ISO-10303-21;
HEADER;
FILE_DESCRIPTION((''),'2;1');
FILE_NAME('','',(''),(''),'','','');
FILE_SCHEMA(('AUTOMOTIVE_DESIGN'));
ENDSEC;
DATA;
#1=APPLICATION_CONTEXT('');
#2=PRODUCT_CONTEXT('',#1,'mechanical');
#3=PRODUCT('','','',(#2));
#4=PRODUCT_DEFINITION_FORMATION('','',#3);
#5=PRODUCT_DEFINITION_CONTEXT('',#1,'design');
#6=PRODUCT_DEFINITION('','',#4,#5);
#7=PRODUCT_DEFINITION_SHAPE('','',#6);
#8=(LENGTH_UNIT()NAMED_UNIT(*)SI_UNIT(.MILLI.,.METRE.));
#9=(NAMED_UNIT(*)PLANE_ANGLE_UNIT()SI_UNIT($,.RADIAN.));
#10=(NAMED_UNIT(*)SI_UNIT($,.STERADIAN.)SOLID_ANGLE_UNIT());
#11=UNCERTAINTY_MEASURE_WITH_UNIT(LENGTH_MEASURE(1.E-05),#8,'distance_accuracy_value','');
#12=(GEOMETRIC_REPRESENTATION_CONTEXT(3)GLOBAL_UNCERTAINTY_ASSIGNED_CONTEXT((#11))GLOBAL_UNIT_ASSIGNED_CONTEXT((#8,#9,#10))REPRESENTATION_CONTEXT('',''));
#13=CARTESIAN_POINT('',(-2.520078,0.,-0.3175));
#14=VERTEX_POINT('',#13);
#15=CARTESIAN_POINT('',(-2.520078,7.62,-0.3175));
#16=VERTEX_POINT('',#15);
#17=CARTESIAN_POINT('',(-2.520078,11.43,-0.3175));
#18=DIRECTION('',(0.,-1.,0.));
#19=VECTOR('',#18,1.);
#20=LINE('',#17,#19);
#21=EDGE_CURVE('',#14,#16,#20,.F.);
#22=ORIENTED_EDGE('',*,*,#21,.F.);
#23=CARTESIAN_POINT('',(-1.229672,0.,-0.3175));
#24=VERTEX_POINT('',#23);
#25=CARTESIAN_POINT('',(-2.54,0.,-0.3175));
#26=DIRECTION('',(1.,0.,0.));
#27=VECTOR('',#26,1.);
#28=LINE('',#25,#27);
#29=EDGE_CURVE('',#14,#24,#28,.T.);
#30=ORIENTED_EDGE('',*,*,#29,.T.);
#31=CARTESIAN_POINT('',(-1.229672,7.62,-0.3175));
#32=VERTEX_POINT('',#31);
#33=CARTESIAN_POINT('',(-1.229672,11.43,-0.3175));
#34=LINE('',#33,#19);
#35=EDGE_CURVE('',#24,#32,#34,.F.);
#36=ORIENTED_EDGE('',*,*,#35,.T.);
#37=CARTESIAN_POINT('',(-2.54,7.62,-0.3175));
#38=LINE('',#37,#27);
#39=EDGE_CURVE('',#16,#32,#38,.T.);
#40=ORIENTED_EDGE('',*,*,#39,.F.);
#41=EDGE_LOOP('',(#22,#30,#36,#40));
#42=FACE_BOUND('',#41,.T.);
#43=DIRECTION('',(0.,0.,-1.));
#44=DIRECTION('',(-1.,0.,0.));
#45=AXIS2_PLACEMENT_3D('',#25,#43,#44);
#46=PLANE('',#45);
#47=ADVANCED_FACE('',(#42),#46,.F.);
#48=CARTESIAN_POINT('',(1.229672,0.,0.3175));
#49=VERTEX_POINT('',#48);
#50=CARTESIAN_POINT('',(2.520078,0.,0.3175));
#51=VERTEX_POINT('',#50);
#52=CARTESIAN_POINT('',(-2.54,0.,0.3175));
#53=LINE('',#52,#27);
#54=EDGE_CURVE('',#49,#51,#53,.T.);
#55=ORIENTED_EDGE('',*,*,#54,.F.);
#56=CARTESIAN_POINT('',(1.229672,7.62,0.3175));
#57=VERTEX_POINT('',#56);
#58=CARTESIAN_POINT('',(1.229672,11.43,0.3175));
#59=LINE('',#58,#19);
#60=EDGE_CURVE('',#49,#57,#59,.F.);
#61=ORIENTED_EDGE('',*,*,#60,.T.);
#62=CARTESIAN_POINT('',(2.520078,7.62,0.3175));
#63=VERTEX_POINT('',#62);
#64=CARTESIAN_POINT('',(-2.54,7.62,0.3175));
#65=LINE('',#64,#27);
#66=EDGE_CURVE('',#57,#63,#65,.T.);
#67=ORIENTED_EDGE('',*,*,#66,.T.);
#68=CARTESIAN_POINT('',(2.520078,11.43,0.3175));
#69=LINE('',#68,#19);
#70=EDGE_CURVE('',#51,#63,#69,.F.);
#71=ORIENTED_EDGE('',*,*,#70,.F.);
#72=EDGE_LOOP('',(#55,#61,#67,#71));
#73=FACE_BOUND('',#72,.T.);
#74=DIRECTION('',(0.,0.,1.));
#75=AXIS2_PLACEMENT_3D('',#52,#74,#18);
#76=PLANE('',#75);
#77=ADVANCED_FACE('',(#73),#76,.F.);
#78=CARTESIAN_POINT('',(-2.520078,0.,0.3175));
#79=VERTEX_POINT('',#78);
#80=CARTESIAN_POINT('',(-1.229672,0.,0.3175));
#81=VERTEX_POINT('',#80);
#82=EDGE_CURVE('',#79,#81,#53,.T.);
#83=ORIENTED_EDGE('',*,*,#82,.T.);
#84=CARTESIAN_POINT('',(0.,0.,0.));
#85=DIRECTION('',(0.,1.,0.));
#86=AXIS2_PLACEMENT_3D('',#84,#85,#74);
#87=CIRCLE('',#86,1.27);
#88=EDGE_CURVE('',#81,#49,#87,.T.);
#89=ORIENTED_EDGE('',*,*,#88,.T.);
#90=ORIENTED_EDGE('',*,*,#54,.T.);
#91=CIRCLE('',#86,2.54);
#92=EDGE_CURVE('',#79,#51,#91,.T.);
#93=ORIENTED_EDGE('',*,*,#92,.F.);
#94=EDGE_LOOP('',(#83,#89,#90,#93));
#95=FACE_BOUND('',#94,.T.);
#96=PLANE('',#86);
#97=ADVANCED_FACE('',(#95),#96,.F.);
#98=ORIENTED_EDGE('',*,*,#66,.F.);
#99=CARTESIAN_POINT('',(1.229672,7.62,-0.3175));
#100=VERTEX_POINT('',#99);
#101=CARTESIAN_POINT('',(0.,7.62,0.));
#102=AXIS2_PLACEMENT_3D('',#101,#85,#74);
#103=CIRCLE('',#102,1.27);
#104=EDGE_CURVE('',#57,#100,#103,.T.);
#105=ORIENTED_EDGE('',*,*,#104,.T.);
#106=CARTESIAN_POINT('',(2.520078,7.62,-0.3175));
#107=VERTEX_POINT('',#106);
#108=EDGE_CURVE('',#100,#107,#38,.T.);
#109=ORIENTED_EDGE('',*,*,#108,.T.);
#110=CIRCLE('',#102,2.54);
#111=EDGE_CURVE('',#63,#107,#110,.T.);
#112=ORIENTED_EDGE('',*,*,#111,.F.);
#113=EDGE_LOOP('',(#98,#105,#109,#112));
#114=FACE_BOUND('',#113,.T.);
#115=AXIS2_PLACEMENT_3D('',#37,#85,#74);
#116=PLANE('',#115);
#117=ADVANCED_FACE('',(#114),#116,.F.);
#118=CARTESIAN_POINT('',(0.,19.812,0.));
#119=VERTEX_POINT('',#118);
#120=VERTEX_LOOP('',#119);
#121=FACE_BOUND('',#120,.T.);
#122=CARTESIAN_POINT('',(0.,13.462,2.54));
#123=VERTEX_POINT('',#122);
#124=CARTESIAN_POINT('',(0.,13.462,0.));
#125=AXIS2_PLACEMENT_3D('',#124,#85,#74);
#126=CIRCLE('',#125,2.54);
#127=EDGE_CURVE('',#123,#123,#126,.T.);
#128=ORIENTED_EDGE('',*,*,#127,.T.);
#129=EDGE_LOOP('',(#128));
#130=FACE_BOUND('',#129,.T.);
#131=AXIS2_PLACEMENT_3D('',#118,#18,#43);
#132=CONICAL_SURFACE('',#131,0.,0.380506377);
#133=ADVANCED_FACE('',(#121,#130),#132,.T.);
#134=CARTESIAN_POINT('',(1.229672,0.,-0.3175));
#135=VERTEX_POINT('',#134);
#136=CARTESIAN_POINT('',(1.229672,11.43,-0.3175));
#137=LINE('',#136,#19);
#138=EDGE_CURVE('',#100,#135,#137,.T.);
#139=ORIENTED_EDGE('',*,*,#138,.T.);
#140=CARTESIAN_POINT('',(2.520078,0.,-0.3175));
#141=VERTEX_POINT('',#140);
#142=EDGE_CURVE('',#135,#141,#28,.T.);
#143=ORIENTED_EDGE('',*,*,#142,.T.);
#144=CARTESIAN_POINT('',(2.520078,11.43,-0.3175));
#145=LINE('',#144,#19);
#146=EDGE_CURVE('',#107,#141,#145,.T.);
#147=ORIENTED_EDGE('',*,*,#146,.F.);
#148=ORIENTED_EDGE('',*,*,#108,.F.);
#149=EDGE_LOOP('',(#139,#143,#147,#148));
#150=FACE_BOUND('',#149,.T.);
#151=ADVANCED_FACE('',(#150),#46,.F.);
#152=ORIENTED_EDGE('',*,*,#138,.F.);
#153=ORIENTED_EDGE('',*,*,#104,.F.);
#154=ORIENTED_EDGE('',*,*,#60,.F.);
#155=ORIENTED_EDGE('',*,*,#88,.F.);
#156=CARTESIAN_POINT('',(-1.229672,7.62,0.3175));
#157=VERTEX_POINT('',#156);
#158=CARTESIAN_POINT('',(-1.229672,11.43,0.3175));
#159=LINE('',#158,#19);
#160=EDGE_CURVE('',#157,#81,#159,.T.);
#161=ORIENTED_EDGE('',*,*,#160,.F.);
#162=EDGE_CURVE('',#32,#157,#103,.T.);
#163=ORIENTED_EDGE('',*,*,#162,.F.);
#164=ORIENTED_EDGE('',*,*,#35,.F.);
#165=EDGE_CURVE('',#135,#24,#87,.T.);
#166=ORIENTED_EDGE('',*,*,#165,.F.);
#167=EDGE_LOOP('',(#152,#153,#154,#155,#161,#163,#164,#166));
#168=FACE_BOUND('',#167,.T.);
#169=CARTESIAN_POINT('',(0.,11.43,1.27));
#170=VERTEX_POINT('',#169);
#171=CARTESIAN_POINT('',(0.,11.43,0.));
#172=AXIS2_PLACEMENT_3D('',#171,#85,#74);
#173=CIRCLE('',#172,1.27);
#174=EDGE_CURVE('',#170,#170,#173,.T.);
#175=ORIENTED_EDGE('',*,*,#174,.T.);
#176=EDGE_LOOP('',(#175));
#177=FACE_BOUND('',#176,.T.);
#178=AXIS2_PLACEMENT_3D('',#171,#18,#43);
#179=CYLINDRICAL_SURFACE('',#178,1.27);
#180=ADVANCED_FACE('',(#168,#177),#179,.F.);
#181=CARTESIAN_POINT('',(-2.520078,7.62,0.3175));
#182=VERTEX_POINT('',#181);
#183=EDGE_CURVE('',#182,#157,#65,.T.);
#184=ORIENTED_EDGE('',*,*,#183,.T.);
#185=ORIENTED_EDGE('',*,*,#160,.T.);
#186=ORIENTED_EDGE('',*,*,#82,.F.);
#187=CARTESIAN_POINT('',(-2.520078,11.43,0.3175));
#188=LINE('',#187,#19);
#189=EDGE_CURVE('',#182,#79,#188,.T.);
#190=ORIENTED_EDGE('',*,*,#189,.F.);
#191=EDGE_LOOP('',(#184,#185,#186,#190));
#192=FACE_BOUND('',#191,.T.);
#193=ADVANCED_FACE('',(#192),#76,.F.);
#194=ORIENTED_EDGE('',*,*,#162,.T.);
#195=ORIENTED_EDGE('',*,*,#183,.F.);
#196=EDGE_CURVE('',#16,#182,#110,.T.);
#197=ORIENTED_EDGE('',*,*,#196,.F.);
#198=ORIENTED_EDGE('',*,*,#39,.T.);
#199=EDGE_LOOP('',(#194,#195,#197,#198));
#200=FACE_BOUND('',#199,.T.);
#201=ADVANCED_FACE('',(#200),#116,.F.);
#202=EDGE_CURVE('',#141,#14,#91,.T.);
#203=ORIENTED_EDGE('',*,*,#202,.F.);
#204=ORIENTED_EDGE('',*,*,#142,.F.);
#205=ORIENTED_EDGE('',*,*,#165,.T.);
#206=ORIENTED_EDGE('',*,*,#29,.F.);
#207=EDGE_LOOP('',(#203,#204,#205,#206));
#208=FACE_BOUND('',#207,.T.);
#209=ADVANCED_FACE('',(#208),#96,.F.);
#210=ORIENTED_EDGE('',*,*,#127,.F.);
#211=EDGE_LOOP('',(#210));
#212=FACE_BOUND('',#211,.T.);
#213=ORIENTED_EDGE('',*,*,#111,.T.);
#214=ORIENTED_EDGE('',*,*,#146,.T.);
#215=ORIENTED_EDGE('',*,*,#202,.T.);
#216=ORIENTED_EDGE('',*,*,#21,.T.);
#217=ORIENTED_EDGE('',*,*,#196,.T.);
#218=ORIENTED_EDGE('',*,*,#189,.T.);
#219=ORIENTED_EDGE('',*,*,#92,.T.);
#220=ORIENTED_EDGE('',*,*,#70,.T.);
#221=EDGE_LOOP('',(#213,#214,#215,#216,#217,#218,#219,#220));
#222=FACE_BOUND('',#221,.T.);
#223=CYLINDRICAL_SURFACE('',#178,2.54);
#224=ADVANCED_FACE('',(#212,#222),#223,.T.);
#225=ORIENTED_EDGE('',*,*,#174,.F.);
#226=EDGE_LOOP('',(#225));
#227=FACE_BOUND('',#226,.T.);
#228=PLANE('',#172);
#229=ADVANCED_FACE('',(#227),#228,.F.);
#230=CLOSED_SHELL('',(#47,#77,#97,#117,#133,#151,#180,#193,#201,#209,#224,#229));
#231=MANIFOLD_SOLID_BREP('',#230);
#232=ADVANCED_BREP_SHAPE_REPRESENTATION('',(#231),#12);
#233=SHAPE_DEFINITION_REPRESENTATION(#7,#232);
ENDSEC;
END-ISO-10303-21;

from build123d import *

# Parameters (mm, degrees)
SKETCH1_R               = 2.54
SKETCH1_R_2             = 1.27
BOSS_EXTRUDE1_DEPTH     = 11.43
BOSS_EXTRUDE2_START     = 11.43
SKETCH1_2_R             = 2.54
SKETCH1_2_R_2           = 1.27
BOSS_EXTRUDE2_DEPTH     = 2.032
CUT_EXTRUDE1_DEPTH      = 21.135007922
CUT_EXTRUDE1_DEPTH_BACK = 21.135007922
SKETCH4_W               = 0.635
SKETCH4_H               = 7.62


with BuildPart() as part:
    # Sketch1 → Boss-Extrude1 (new body)
    with BuildSketch(Plane(origin=(0, 0, 0), x_dir=(1, 0, 0), z_dir=(0, 1, 0))):
        with Locations(Location((0, 0, 0), (0, 0, 270))):
            Circle(SKETCH1_R)
        with Locations(Location((0, 0, 0), (0, 0, 270))):
            Circle(SKETCH1_R_2, mode=Mode.SUBTRACT)
    extrude(amount=BOSS_EXTRUDE1_DEPTH)

    # Sketch1<2> → Boss-Extrude2 (add)
    # profile 1 of 2: a face of its own
    with BuildSketch(Plane(origin=(0, 0, 0), x_dir=(1, 0, 0), z_dir=(0, 1, 0)).offset(BOSS_EXTRUDE2_START)):
        with Locations(Location((0, 0, 0), (0, 0, 270))):
            Circle(SKETCH1_2_R)
        with Locations(Location((0, 0, 0), (0, 0, 270))):
            Circle(SKETCH1_2_R_2, mode=Mode.SUBTRACT)
    # profile 2 of 2: a face of its own
    with BuildSketch(Plane(origin=(0, 0, 0), x_dir=(1, 0, 0), z_dir=(0, 1, 0)).offset(BOSS_EXTRUDE2_START)):
        with Locations(Location((0, 0, 0), (0, 0, 270))):
            Circle(SKETCH1_2_R_2)
    extrude(amount=BOSS_EXTRUDE2_DEPTH)

    # Sketch3 → Revolve1 (revolve)
    with BuildSketch(Plane(origin=(0, 0, 0), x_dir=(0, 0, -1), z_dir=(1, 0, 0))):
        Polygon((0, 13.462), (0, 19.812), (2.54, 13.462), align=None)
    revolve(axis=Axis((0, 13.462, 0), (0, -1, 0)))

    # Sketch4 → Cut-Extrude1 (cut, two sides: drawn at the far end of the back side and taken through both)
    with BuildSketch(Plane(origin=(0, 0, 0), x_dir=(0, 0, -1), z_dir=(1, 0, 0)).offset(-CUT_EXTRUDE1_DEPTH_BACK)):
        with Locations((0, 3.81)):
            Rectangle(SKETCH4_W, SKETCH4_H)
    extrude(amount=CUT_EXTRUDE1_DEPTH + CUT_EXTRUDE1_DEPTH_BACK, mode=Mode.SUBTRACT)


solid = part.part
